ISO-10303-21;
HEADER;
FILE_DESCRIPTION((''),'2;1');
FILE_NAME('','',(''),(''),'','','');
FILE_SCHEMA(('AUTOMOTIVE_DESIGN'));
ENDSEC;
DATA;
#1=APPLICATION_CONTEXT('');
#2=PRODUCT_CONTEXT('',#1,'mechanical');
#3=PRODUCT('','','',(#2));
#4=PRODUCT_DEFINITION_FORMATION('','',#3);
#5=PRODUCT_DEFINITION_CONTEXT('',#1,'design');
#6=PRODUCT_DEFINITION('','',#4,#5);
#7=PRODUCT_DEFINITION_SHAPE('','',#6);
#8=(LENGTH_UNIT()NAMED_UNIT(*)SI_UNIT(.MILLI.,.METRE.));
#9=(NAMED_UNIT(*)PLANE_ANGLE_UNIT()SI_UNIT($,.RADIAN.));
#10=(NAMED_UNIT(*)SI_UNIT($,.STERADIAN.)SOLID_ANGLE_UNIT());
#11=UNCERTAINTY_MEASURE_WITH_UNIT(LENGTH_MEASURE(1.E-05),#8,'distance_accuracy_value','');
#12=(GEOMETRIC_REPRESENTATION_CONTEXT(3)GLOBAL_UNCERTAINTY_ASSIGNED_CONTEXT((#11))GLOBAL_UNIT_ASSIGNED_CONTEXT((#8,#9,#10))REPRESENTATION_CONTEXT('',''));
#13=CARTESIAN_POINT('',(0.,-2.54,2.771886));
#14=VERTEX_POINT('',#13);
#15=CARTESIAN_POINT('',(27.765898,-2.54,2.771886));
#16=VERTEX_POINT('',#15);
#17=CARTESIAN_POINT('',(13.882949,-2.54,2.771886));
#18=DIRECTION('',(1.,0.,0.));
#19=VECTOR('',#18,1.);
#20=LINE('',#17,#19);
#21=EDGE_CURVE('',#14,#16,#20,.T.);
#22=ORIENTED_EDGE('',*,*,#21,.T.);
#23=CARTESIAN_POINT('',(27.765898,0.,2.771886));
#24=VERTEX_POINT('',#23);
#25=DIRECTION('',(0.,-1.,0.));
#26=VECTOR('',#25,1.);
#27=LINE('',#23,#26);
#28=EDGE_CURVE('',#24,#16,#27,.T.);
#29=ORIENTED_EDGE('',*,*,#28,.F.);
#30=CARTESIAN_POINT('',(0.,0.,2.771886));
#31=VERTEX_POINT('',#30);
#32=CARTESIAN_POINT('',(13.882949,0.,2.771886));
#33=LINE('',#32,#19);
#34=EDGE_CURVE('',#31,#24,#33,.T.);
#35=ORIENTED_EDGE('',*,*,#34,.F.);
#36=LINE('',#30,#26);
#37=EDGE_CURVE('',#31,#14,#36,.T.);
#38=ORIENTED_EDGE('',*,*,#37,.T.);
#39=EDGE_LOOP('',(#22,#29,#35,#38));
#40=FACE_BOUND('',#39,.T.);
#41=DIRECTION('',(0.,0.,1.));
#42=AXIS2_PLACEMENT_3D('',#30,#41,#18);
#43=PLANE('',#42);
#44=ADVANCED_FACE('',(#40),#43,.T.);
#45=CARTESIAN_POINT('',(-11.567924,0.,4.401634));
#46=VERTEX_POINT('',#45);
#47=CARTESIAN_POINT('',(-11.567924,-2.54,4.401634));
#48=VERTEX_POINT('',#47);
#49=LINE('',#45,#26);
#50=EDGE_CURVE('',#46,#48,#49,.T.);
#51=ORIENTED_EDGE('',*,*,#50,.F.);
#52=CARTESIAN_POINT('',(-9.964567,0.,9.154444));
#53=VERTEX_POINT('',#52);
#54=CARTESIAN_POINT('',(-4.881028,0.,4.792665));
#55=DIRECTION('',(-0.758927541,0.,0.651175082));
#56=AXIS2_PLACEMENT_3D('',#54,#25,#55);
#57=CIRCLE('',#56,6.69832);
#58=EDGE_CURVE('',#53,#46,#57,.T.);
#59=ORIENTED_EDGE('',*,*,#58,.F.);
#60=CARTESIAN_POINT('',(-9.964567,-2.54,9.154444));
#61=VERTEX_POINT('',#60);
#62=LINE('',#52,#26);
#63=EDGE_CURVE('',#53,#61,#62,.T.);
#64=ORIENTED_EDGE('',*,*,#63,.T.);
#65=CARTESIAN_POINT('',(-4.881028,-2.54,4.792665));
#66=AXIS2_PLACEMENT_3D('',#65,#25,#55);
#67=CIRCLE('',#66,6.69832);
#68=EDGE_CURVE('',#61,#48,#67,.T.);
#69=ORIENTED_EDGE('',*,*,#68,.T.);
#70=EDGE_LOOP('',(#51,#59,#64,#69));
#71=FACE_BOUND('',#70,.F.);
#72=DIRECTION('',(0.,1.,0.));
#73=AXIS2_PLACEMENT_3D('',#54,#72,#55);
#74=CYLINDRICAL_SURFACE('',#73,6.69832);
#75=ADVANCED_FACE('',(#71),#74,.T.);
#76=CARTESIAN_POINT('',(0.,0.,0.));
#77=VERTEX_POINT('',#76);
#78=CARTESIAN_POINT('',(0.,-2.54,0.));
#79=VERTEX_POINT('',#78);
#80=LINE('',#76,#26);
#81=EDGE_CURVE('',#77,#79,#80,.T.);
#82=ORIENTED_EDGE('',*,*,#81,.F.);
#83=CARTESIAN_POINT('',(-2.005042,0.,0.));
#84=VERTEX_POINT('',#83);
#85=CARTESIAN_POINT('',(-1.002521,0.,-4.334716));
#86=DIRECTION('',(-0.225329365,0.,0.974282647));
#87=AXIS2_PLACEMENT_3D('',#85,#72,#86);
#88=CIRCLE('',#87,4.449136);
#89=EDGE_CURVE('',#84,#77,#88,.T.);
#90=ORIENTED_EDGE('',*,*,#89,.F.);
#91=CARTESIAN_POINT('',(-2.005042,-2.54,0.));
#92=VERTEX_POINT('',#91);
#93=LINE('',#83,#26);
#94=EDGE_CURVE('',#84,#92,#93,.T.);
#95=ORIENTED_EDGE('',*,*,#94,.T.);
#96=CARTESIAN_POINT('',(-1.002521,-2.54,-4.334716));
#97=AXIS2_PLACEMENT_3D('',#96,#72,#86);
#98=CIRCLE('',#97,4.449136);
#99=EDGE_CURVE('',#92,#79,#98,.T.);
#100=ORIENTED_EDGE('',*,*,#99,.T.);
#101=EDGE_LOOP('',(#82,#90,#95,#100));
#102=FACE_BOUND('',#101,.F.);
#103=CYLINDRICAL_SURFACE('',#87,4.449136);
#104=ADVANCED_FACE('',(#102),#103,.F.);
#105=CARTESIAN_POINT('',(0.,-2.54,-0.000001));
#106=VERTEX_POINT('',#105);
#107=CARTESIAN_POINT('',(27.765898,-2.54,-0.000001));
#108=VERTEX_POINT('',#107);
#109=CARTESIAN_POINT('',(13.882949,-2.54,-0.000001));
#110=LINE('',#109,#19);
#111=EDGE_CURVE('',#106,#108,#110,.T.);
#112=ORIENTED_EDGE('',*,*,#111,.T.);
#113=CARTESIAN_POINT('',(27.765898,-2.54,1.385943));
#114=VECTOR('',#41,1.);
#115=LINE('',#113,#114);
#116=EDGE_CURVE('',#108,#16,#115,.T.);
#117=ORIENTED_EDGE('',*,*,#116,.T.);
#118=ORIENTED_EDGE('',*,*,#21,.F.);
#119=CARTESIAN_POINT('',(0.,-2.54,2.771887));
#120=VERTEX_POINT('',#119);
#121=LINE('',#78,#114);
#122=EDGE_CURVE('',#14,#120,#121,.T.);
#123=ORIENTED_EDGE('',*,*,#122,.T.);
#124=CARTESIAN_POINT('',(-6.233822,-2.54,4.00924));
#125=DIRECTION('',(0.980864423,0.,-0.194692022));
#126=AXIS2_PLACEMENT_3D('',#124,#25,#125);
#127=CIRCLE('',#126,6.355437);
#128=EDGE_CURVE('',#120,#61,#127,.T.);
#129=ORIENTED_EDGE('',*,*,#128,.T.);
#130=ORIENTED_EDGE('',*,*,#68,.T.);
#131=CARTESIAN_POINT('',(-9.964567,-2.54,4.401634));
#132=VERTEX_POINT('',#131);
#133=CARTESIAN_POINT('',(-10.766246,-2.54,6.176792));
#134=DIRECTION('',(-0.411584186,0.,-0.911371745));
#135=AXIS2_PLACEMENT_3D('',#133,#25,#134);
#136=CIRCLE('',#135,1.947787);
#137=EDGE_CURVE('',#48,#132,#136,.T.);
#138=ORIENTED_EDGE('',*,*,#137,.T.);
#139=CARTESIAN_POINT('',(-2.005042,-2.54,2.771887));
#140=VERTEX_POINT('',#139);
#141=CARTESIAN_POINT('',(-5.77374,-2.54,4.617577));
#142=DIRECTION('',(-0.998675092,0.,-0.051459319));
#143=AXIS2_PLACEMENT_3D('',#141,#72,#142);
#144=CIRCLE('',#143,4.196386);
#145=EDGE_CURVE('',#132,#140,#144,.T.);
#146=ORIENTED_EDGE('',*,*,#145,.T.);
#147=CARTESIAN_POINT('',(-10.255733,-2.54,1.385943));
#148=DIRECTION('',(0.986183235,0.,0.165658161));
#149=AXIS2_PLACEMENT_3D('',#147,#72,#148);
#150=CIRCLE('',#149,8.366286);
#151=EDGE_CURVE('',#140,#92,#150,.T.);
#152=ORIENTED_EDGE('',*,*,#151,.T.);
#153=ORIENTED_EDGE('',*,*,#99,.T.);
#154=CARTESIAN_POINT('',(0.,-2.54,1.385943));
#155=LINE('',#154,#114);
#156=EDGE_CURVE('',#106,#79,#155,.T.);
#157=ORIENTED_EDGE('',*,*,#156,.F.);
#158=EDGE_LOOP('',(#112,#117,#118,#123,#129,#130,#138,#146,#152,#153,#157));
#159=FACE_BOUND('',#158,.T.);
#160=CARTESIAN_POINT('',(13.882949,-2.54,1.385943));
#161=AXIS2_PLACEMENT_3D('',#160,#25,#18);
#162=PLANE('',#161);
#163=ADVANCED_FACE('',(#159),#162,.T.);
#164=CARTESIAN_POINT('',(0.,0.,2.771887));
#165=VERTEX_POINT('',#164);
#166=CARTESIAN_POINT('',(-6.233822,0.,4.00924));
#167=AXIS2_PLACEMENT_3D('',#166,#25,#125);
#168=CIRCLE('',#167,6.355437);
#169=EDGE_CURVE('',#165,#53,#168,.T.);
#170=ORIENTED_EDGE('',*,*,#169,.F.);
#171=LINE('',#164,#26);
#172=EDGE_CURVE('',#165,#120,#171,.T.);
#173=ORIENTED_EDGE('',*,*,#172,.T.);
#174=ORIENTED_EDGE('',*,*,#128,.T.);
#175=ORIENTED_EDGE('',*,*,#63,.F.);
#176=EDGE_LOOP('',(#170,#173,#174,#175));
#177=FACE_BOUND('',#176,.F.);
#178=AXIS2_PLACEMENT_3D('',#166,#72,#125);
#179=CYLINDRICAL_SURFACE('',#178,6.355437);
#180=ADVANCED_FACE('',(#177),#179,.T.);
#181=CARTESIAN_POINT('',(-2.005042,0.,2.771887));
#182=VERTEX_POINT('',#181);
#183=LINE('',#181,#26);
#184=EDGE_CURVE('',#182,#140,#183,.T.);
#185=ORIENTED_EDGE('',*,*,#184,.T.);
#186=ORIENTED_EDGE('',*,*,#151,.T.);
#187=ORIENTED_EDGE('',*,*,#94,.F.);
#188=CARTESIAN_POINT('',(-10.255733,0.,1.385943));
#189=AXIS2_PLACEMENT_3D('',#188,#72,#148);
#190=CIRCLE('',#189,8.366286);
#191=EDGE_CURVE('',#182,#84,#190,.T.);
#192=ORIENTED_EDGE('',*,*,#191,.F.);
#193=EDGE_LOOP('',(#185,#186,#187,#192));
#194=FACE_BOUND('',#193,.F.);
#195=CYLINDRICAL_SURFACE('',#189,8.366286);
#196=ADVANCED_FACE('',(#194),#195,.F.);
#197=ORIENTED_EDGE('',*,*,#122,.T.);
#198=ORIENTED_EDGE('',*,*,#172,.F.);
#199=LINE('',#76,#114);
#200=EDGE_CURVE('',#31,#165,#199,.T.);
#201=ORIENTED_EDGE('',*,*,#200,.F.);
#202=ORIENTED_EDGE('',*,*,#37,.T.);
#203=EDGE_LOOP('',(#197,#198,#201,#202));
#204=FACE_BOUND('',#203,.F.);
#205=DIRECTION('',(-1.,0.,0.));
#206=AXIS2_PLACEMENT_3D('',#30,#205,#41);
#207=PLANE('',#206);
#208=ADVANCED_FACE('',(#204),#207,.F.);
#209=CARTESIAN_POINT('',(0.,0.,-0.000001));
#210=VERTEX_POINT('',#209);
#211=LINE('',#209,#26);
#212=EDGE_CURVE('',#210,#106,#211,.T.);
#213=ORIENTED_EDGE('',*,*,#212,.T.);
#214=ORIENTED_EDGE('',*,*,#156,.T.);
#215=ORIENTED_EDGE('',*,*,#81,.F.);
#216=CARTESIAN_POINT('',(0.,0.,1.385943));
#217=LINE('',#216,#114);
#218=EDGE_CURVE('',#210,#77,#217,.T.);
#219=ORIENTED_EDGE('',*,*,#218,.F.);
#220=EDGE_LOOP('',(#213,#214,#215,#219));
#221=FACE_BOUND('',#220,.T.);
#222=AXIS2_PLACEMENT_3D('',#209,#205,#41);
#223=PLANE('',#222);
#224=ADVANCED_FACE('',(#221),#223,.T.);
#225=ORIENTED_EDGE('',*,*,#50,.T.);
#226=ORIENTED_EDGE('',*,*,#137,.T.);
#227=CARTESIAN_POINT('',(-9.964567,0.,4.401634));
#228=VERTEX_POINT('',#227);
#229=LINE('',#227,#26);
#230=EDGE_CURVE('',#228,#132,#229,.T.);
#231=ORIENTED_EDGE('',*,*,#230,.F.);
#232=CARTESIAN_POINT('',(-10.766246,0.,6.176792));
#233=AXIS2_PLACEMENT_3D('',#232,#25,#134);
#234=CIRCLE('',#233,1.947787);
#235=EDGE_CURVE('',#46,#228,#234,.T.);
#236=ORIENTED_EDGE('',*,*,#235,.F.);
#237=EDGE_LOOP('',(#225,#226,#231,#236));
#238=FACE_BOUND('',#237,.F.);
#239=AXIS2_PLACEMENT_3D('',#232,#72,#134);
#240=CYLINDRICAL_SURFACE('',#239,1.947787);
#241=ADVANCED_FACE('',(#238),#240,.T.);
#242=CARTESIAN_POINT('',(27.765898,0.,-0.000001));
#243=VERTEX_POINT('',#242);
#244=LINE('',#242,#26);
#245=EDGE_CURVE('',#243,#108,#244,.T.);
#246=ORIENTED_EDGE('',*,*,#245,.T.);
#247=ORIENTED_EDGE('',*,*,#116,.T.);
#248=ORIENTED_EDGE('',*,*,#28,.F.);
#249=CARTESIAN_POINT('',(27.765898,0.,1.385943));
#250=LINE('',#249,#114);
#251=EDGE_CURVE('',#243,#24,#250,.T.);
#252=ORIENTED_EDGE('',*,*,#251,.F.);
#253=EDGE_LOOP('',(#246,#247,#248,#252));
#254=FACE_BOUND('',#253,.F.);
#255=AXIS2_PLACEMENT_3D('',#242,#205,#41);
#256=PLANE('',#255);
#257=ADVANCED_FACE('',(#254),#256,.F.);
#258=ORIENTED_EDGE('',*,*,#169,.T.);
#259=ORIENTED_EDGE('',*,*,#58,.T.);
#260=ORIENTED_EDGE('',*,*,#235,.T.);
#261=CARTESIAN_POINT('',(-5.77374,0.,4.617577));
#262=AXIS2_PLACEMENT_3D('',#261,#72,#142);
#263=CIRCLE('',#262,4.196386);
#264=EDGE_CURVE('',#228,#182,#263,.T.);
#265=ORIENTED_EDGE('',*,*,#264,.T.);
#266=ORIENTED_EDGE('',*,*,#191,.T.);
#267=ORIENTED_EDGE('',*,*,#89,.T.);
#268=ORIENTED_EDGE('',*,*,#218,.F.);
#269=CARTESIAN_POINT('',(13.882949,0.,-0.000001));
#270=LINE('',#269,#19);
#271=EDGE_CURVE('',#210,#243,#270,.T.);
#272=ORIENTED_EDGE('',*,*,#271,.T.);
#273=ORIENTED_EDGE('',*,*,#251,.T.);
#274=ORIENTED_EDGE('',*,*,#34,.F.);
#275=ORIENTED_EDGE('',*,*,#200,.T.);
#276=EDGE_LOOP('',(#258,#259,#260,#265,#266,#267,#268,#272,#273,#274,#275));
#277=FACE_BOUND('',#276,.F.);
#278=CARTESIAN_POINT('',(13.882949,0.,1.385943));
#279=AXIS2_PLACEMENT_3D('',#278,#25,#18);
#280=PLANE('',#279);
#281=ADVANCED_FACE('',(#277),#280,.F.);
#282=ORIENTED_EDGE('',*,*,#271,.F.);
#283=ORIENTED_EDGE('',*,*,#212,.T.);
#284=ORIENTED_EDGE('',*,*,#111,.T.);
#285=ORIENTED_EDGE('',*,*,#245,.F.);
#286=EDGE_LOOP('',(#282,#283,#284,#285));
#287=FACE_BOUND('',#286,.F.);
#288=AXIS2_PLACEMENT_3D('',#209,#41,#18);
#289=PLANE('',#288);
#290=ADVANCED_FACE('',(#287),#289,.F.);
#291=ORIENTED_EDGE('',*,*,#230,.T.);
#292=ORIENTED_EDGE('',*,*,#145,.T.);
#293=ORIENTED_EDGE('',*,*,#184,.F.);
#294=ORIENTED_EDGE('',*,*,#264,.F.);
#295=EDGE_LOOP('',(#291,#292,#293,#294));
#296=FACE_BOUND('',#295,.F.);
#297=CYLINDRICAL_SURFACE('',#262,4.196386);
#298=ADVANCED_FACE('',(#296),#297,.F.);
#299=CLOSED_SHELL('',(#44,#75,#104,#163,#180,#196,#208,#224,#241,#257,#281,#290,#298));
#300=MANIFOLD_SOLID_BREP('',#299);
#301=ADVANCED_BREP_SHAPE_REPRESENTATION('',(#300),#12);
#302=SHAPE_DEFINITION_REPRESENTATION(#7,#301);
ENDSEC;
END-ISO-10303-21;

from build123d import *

# Parameters (mm, degrees)
F0_W     = 27.765898
F0_H     = 2.771887
F1_DEPTH = 2.54


with BuildPart() as f1:
    # F0 (on Front) → F1 (new body)
    with BuildSketch(Plane.XZ):
        with Locations((13.882949, 1.385943)):
            Rectangle(F0_W, F0_H)
        with BuildLine():
            ThreePointArc((-2.005042, 0), (-1.002521, 0.11442), (0, 0))
            Line((0, 0), (0, 2.771887))
            ThreePointArc((0, 2.771887), (-2.805906, 9.360966), (-9.964567, 9.154444))
            ThreePointArc((-9.964567, 9.154444), (-11.227924, 6.933785), (-11.567924, 4.401634))
            ThreePointArc((-11.567924, 4.401634), (-10.766245, 4.229005), (-9.964567, 4.401634))
            ThreePointArc((-9.964567, 4.401634), (-4.931976, 8.728671), (-2.005042, 2.771887))
            ThreePointArc((-2.005042, 2.771887), (-1.889447, 1.385943), (-2.005042, 0))
        make_face()
    extrude(amount=F1_DEPTH)


solid = f1.part
